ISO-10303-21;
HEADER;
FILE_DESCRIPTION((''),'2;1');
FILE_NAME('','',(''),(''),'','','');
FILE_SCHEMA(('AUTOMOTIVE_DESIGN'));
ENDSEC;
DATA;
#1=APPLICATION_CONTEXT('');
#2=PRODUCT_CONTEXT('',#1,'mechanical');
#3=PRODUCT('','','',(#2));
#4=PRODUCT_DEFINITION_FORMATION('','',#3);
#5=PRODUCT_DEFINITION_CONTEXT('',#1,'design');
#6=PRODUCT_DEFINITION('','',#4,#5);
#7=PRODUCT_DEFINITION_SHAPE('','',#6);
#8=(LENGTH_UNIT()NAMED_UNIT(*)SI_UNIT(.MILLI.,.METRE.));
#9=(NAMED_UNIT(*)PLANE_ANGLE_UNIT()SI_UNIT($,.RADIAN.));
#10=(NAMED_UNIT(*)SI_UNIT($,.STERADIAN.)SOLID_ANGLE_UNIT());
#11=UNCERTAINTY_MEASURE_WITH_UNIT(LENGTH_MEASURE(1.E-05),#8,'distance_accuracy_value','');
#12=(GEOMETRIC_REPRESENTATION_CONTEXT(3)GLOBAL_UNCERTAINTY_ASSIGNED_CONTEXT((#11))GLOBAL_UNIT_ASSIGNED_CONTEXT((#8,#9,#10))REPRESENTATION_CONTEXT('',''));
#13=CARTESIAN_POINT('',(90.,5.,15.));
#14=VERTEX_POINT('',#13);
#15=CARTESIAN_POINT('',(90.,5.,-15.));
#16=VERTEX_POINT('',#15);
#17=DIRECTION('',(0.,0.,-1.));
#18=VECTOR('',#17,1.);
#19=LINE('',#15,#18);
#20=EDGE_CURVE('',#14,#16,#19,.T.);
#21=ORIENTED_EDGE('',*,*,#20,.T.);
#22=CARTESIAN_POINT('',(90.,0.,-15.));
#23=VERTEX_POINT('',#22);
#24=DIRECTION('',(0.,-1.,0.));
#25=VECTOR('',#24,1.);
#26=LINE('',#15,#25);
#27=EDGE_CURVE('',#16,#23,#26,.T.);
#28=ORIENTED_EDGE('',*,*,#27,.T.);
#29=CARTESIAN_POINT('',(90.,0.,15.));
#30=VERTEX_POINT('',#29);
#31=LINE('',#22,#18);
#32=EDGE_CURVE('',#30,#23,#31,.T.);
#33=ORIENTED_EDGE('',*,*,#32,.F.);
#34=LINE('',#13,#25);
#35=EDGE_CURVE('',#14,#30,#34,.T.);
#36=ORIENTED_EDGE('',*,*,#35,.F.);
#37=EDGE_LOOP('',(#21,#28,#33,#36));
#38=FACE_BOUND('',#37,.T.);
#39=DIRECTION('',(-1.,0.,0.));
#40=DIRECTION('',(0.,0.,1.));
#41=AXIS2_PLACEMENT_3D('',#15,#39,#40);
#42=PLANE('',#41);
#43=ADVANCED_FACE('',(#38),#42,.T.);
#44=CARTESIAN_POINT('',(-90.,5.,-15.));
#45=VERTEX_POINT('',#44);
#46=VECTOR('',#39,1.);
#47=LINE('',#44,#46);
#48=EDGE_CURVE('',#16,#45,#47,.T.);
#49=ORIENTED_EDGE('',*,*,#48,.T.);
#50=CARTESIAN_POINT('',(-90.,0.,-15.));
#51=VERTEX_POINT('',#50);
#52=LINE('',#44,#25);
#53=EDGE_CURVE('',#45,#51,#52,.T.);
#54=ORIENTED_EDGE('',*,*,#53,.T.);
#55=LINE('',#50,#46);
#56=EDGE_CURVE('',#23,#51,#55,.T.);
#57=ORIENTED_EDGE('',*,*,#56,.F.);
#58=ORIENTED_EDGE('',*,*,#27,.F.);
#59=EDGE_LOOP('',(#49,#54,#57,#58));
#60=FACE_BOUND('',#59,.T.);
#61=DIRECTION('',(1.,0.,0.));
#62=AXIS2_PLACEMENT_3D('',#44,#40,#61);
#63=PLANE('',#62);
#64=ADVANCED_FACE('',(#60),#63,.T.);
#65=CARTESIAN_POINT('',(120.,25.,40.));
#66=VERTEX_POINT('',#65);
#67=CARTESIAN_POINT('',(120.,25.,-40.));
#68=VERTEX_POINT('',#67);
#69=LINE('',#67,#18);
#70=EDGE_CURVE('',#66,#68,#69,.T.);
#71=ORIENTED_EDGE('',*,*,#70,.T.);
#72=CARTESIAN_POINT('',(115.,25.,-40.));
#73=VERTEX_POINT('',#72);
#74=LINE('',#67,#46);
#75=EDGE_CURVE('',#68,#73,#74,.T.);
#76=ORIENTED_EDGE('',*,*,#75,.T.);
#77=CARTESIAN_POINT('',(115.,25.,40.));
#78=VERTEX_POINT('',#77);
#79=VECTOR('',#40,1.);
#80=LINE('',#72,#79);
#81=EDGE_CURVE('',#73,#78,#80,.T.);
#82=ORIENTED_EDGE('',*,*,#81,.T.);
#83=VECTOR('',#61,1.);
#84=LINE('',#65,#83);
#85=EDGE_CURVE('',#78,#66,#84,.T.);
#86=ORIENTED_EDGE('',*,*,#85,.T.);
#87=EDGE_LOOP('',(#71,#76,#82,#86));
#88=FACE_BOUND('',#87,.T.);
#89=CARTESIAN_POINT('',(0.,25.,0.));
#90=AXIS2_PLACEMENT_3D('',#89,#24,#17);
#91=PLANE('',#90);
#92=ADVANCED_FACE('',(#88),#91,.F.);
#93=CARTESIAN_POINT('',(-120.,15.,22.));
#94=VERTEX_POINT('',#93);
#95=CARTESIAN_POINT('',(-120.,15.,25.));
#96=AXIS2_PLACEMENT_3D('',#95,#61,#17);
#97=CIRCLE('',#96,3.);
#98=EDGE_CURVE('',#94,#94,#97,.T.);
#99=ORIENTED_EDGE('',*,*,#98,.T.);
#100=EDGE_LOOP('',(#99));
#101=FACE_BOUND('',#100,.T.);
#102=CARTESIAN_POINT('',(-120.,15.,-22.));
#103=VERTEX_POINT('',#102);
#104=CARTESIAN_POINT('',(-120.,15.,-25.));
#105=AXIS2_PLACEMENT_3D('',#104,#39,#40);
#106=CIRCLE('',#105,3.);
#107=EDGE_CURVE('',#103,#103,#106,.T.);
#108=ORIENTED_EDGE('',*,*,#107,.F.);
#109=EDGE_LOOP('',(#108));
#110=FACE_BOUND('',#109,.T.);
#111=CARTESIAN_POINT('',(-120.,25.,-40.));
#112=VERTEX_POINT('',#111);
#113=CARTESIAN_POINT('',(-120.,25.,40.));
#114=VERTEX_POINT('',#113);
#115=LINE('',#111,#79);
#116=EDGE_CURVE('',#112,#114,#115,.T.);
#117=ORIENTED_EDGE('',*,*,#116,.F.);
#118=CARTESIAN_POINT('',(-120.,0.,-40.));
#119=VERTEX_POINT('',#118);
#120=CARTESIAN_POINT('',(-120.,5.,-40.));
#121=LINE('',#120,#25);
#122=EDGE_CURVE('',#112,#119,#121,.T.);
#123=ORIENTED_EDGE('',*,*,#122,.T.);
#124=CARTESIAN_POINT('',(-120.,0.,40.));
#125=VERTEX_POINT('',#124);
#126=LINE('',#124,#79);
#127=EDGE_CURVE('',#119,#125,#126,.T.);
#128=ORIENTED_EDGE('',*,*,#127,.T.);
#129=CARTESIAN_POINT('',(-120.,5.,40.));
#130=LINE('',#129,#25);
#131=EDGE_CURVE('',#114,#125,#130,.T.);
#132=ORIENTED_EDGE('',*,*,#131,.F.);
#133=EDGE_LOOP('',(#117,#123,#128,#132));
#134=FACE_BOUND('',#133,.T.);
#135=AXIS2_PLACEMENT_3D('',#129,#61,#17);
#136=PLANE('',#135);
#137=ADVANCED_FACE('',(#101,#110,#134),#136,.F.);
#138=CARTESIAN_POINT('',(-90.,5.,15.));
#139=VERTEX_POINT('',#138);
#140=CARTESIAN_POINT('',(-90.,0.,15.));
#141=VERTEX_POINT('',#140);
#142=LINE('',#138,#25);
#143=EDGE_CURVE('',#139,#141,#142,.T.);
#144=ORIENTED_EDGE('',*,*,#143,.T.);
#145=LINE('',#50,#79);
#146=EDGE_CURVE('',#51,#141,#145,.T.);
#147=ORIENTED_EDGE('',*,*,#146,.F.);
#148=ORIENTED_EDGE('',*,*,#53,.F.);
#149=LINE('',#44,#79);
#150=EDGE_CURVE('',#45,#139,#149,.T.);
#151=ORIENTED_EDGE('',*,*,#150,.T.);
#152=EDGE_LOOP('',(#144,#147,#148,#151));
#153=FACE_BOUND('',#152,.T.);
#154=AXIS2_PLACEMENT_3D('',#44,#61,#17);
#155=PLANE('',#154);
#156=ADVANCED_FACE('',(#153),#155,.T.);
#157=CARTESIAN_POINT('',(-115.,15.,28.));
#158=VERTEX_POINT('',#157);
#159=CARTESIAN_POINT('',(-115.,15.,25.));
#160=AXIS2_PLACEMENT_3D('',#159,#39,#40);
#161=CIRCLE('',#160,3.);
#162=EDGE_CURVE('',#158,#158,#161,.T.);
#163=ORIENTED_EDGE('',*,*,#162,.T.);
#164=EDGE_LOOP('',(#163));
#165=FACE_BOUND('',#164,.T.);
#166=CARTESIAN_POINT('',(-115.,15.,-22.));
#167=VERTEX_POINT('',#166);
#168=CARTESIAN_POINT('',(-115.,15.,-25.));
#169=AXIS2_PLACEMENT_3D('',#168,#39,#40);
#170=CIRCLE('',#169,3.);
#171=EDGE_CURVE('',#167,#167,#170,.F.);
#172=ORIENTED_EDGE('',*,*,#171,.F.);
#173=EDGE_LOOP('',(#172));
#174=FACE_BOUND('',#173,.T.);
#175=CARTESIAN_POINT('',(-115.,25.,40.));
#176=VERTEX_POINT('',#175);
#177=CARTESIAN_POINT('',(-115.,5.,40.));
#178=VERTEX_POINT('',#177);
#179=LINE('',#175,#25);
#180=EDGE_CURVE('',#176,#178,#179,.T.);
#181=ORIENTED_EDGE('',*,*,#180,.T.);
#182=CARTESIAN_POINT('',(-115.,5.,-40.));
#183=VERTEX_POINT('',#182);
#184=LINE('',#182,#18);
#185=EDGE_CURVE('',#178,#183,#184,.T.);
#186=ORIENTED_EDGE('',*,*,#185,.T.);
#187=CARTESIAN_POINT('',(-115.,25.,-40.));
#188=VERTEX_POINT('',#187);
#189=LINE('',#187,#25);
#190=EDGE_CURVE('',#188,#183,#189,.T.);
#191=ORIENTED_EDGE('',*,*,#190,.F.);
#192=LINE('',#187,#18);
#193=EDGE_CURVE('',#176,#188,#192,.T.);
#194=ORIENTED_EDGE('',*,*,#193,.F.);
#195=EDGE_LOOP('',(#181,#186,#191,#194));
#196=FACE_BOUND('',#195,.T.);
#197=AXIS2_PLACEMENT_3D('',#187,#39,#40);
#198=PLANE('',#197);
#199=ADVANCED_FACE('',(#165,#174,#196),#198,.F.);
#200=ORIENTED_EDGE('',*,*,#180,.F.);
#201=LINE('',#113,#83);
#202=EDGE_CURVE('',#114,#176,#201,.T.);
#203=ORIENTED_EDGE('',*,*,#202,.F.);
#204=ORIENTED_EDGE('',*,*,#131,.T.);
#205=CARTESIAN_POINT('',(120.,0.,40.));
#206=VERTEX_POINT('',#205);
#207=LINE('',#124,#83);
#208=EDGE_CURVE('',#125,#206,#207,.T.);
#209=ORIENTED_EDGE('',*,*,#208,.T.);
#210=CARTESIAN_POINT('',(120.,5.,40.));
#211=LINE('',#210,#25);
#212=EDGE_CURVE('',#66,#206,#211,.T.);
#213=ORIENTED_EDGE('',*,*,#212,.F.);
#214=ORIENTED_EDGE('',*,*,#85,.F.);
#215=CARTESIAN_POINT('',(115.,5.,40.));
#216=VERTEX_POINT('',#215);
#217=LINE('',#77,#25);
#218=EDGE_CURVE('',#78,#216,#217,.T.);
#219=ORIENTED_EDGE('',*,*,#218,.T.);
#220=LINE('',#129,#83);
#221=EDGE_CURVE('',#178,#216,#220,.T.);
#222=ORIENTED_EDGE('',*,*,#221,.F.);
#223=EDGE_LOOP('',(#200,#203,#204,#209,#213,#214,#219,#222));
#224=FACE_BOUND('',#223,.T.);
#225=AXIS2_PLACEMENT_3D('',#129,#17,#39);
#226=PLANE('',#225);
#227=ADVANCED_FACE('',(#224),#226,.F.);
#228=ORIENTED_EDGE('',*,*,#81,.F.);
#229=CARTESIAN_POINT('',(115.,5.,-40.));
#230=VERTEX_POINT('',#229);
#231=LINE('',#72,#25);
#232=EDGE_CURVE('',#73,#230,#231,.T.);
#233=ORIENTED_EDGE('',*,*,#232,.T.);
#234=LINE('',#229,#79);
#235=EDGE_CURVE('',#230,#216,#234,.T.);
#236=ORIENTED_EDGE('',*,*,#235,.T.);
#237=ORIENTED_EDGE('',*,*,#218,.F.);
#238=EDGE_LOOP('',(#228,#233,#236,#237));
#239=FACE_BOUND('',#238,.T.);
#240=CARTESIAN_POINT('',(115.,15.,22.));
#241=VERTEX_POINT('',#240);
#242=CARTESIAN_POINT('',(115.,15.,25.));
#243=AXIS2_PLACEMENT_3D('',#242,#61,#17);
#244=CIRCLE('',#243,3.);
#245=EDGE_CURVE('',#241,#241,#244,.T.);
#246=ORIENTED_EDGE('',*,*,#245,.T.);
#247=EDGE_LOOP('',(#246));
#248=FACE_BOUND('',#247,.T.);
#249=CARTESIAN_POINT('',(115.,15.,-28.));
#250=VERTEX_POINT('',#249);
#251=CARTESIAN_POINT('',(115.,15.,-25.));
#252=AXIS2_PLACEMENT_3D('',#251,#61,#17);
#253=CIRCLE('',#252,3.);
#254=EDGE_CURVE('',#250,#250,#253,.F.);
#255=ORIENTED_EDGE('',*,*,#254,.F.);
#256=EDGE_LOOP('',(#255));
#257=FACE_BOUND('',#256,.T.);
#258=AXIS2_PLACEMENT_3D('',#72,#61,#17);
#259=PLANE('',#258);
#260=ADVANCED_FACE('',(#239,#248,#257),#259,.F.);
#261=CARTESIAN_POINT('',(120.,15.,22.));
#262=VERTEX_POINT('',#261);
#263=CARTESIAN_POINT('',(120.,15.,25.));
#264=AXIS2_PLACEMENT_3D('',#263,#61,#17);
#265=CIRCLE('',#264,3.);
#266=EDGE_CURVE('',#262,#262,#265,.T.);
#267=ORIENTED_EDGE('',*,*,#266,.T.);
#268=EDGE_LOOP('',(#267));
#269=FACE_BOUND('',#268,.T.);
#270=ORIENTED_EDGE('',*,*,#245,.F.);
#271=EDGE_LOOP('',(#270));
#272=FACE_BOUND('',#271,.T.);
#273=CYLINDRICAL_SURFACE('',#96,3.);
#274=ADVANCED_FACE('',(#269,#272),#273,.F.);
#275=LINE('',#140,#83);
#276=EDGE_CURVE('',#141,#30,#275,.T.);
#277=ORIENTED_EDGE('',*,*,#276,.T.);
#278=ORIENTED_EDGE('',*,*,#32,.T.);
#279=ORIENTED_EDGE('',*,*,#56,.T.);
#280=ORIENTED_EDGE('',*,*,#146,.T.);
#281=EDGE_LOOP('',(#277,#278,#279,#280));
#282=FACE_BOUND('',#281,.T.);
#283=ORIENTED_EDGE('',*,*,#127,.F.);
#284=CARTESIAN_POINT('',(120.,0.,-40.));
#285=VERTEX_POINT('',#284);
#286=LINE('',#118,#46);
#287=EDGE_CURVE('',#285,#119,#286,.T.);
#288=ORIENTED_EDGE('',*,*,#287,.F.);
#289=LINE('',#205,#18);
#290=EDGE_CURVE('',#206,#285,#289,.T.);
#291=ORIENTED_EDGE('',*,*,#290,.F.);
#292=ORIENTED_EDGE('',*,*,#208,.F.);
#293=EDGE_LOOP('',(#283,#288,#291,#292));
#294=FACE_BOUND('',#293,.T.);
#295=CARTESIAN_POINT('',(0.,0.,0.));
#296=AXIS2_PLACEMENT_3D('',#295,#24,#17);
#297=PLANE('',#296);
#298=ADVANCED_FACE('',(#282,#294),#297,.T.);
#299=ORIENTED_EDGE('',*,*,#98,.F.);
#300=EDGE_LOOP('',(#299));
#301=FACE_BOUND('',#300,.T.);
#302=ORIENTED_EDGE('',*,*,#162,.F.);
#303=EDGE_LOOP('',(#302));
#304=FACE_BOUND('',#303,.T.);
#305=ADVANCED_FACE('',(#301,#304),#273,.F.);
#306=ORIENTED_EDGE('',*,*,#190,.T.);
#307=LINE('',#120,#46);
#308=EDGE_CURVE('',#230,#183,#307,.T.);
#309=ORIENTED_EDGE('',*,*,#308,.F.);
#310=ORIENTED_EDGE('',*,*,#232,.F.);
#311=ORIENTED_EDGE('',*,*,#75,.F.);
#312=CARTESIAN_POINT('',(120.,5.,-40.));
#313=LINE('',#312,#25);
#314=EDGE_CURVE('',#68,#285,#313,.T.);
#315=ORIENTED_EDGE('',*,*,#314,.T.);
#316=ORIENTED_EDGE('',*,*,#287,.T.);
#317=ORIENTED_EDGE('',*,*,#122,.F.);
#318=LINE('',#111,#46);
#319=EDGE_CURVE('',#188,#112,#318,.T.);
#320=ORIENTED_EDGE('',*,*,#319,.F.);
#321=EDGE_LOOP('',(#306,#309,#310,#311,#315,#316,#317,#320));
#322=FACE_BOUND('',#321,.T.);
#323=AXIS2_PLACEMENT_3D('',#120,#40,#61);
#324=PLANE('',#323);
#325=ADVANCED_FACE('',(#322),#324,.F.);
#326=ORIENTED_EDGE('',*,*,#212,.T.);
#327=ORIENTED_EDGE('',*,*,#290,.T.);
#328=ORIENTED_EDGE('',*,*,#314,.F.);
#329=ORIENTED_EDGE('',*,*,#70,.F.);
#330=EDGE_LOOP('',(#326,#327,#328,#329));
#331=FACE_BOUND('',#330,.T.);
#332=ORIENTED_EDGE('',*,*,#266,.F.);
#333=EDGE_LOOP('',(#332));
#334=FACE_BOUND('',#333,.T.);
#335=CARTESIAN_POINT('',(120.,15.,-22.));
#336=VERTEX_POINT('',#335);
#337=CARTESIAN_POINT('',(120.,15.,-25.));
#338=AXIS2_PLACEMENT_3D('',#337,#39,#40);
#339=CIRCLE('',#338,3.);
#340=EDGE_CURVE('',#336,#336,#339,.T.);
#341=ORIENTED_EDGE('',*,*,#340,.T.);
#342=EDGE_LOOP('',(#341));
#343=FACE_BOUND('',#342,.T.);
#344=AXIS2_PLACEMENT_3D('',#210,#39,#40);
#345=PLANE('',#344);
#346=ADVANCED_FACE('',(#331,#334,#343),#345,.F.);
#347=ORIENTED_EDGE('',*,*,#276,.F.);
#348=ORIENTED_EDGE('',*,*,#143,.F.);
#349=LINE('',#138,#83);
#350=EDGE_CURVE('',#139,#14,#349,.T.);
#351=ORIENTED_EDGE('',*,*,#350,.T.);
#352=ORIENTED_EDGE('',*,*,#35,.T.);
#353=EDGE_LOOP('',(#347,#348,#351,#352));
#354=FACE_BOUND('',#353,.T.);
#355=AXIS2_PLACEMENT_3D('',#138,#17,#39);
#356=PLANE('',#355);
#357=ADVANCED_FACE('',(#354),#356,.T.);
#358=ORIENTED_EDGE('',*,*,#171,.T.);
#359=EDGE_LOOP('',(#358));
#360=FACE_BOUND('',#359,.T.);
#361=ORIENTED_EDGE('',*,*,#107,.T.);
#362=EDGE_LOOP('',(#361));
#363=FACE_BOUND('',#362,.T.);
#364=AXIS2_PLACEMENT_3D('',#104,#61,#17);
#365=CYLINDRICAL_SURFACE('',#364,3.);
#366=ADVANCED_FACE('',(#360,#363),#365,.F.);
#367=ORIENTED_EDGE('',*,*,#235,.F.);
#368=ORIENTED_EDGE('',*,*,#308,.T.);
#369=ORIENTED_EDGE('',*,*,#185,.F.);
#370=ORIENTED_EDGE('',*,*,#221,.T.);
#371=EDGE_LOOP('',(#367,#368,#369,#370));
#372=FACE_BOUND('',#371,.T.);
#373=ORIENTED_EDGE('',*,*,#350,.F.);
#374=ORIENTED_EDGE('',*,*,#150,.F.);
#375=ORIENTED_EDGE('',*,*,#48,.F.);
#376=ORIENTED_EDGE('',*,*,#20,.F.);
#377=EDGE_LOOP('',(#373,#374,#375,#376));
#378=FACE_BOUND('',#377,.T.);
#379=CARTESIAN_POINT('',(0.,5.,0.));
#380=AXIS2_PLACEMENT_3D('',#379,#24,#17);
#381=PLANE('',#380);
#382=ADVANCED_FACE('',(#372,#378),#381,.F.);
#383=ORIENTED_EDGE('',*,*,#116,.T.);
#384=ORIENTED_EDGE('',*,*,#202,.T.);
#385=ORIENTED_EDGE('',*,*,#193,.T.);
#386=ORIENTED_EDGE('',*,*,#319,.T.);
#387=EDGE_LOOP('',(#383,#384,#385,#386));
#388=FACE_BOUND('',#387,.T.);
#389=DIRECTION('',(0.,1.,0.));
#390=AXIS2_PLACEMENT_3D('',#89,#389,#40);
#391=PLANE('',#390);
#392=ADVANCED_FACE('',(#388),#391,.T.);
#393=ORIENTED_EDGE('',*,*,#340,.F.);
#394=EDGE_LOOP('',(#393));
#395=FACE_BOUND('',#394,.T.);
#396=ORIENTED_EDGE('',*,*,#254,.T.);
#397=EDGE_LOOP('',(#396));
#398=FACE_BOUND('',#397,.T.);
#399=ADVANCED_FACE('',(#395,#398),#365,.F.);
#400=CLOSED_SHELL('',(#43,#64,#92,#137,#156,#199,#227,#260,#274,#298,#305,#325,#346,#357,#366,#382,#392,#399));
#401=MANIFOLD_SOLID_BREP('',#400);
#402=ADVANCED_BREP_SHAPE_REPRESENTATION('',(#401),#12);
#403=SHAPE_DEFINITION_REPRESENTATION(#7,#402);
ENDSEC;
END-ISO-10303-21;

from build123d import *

# Parameters (mm, degrees)
SKETCH1_W           = 240
SKETCH1_H           = 80
SKETCH1_W_2         = 180
SKETCH1_H_2         = 30
BOSS_EXTRUDE1_DEPTH = 5
SKETCH2_W           = 5
SKETCH2_H           = 80
BOSS_EXTRUDE2_DEPTH = 20
SKETCH4_W           = 5
SKETCH4_H           = 80
BOSS_EXTRUDE3_DEPTH = 20
SKETCH3_R           = 3
CUT_EXTRUDE1_DEPTH  = 245.591496173


with BuildPart() as part:
    # Sketch1 → Boss-Extrude1 (new body)
    with BuildSketch(Plane(origin=(0, 0, 0), x_dir=(1, 0, 0), z_dir=(0, 1, 0))):
        Rectangle(SKETCH1_W, SKETCH1_H)
        Rectangle(SKETCH1_W_2, SKETCH1_H_2, mode=Mode.SUBTRACT)
    extrude(amount=BOSS_EXTRUDE1_DEPTH)

    # Sketch2 → Boss-Extrude2 (add)
    with BuildSketch(Plane(origin=(0, 5, 0), x_dir=(1, 0, 0), z_dir=(0, 1, 0))):
        with Locations((117.5, 0)):
            Rectangle(SKETCH2_W, SKETCH2_H)
    extrude(amount=BOSS_EXTRUDE2_DEPTH)

    # Sketch4 → Boss-Extrude3 (add)
    with BuildSketch(Plane(origin=(0, 5, 0), x_dir=(1, 0, 0), z_dir=(0, 1, 0))):
        with Locations((-117.5, 0)):
            Rectangle(SKETCH4_W, SKETCH4_H)
    extrude(amount=BOSS_EXTRUDE3_DEPTH)

    # Sketch3 → Cut-Extrude1 (cut, through all)
    with BuildSketch(Plane(origin=(120, 0, 0), x_dir=(0, 0, -1), z_dir=(1, 0, 0))):
        with Locations((-25, 15)):
            Circle(SKETCH3_R)
        with Locations(Location((25, 15, 0), (0, 0, 180))):
            Circle(SKETCH3_R)
    extrude(amount=-CUT_EXTRUDE1_DEPTH, mode=Mode.SUBTRACT)


solid = part.part
